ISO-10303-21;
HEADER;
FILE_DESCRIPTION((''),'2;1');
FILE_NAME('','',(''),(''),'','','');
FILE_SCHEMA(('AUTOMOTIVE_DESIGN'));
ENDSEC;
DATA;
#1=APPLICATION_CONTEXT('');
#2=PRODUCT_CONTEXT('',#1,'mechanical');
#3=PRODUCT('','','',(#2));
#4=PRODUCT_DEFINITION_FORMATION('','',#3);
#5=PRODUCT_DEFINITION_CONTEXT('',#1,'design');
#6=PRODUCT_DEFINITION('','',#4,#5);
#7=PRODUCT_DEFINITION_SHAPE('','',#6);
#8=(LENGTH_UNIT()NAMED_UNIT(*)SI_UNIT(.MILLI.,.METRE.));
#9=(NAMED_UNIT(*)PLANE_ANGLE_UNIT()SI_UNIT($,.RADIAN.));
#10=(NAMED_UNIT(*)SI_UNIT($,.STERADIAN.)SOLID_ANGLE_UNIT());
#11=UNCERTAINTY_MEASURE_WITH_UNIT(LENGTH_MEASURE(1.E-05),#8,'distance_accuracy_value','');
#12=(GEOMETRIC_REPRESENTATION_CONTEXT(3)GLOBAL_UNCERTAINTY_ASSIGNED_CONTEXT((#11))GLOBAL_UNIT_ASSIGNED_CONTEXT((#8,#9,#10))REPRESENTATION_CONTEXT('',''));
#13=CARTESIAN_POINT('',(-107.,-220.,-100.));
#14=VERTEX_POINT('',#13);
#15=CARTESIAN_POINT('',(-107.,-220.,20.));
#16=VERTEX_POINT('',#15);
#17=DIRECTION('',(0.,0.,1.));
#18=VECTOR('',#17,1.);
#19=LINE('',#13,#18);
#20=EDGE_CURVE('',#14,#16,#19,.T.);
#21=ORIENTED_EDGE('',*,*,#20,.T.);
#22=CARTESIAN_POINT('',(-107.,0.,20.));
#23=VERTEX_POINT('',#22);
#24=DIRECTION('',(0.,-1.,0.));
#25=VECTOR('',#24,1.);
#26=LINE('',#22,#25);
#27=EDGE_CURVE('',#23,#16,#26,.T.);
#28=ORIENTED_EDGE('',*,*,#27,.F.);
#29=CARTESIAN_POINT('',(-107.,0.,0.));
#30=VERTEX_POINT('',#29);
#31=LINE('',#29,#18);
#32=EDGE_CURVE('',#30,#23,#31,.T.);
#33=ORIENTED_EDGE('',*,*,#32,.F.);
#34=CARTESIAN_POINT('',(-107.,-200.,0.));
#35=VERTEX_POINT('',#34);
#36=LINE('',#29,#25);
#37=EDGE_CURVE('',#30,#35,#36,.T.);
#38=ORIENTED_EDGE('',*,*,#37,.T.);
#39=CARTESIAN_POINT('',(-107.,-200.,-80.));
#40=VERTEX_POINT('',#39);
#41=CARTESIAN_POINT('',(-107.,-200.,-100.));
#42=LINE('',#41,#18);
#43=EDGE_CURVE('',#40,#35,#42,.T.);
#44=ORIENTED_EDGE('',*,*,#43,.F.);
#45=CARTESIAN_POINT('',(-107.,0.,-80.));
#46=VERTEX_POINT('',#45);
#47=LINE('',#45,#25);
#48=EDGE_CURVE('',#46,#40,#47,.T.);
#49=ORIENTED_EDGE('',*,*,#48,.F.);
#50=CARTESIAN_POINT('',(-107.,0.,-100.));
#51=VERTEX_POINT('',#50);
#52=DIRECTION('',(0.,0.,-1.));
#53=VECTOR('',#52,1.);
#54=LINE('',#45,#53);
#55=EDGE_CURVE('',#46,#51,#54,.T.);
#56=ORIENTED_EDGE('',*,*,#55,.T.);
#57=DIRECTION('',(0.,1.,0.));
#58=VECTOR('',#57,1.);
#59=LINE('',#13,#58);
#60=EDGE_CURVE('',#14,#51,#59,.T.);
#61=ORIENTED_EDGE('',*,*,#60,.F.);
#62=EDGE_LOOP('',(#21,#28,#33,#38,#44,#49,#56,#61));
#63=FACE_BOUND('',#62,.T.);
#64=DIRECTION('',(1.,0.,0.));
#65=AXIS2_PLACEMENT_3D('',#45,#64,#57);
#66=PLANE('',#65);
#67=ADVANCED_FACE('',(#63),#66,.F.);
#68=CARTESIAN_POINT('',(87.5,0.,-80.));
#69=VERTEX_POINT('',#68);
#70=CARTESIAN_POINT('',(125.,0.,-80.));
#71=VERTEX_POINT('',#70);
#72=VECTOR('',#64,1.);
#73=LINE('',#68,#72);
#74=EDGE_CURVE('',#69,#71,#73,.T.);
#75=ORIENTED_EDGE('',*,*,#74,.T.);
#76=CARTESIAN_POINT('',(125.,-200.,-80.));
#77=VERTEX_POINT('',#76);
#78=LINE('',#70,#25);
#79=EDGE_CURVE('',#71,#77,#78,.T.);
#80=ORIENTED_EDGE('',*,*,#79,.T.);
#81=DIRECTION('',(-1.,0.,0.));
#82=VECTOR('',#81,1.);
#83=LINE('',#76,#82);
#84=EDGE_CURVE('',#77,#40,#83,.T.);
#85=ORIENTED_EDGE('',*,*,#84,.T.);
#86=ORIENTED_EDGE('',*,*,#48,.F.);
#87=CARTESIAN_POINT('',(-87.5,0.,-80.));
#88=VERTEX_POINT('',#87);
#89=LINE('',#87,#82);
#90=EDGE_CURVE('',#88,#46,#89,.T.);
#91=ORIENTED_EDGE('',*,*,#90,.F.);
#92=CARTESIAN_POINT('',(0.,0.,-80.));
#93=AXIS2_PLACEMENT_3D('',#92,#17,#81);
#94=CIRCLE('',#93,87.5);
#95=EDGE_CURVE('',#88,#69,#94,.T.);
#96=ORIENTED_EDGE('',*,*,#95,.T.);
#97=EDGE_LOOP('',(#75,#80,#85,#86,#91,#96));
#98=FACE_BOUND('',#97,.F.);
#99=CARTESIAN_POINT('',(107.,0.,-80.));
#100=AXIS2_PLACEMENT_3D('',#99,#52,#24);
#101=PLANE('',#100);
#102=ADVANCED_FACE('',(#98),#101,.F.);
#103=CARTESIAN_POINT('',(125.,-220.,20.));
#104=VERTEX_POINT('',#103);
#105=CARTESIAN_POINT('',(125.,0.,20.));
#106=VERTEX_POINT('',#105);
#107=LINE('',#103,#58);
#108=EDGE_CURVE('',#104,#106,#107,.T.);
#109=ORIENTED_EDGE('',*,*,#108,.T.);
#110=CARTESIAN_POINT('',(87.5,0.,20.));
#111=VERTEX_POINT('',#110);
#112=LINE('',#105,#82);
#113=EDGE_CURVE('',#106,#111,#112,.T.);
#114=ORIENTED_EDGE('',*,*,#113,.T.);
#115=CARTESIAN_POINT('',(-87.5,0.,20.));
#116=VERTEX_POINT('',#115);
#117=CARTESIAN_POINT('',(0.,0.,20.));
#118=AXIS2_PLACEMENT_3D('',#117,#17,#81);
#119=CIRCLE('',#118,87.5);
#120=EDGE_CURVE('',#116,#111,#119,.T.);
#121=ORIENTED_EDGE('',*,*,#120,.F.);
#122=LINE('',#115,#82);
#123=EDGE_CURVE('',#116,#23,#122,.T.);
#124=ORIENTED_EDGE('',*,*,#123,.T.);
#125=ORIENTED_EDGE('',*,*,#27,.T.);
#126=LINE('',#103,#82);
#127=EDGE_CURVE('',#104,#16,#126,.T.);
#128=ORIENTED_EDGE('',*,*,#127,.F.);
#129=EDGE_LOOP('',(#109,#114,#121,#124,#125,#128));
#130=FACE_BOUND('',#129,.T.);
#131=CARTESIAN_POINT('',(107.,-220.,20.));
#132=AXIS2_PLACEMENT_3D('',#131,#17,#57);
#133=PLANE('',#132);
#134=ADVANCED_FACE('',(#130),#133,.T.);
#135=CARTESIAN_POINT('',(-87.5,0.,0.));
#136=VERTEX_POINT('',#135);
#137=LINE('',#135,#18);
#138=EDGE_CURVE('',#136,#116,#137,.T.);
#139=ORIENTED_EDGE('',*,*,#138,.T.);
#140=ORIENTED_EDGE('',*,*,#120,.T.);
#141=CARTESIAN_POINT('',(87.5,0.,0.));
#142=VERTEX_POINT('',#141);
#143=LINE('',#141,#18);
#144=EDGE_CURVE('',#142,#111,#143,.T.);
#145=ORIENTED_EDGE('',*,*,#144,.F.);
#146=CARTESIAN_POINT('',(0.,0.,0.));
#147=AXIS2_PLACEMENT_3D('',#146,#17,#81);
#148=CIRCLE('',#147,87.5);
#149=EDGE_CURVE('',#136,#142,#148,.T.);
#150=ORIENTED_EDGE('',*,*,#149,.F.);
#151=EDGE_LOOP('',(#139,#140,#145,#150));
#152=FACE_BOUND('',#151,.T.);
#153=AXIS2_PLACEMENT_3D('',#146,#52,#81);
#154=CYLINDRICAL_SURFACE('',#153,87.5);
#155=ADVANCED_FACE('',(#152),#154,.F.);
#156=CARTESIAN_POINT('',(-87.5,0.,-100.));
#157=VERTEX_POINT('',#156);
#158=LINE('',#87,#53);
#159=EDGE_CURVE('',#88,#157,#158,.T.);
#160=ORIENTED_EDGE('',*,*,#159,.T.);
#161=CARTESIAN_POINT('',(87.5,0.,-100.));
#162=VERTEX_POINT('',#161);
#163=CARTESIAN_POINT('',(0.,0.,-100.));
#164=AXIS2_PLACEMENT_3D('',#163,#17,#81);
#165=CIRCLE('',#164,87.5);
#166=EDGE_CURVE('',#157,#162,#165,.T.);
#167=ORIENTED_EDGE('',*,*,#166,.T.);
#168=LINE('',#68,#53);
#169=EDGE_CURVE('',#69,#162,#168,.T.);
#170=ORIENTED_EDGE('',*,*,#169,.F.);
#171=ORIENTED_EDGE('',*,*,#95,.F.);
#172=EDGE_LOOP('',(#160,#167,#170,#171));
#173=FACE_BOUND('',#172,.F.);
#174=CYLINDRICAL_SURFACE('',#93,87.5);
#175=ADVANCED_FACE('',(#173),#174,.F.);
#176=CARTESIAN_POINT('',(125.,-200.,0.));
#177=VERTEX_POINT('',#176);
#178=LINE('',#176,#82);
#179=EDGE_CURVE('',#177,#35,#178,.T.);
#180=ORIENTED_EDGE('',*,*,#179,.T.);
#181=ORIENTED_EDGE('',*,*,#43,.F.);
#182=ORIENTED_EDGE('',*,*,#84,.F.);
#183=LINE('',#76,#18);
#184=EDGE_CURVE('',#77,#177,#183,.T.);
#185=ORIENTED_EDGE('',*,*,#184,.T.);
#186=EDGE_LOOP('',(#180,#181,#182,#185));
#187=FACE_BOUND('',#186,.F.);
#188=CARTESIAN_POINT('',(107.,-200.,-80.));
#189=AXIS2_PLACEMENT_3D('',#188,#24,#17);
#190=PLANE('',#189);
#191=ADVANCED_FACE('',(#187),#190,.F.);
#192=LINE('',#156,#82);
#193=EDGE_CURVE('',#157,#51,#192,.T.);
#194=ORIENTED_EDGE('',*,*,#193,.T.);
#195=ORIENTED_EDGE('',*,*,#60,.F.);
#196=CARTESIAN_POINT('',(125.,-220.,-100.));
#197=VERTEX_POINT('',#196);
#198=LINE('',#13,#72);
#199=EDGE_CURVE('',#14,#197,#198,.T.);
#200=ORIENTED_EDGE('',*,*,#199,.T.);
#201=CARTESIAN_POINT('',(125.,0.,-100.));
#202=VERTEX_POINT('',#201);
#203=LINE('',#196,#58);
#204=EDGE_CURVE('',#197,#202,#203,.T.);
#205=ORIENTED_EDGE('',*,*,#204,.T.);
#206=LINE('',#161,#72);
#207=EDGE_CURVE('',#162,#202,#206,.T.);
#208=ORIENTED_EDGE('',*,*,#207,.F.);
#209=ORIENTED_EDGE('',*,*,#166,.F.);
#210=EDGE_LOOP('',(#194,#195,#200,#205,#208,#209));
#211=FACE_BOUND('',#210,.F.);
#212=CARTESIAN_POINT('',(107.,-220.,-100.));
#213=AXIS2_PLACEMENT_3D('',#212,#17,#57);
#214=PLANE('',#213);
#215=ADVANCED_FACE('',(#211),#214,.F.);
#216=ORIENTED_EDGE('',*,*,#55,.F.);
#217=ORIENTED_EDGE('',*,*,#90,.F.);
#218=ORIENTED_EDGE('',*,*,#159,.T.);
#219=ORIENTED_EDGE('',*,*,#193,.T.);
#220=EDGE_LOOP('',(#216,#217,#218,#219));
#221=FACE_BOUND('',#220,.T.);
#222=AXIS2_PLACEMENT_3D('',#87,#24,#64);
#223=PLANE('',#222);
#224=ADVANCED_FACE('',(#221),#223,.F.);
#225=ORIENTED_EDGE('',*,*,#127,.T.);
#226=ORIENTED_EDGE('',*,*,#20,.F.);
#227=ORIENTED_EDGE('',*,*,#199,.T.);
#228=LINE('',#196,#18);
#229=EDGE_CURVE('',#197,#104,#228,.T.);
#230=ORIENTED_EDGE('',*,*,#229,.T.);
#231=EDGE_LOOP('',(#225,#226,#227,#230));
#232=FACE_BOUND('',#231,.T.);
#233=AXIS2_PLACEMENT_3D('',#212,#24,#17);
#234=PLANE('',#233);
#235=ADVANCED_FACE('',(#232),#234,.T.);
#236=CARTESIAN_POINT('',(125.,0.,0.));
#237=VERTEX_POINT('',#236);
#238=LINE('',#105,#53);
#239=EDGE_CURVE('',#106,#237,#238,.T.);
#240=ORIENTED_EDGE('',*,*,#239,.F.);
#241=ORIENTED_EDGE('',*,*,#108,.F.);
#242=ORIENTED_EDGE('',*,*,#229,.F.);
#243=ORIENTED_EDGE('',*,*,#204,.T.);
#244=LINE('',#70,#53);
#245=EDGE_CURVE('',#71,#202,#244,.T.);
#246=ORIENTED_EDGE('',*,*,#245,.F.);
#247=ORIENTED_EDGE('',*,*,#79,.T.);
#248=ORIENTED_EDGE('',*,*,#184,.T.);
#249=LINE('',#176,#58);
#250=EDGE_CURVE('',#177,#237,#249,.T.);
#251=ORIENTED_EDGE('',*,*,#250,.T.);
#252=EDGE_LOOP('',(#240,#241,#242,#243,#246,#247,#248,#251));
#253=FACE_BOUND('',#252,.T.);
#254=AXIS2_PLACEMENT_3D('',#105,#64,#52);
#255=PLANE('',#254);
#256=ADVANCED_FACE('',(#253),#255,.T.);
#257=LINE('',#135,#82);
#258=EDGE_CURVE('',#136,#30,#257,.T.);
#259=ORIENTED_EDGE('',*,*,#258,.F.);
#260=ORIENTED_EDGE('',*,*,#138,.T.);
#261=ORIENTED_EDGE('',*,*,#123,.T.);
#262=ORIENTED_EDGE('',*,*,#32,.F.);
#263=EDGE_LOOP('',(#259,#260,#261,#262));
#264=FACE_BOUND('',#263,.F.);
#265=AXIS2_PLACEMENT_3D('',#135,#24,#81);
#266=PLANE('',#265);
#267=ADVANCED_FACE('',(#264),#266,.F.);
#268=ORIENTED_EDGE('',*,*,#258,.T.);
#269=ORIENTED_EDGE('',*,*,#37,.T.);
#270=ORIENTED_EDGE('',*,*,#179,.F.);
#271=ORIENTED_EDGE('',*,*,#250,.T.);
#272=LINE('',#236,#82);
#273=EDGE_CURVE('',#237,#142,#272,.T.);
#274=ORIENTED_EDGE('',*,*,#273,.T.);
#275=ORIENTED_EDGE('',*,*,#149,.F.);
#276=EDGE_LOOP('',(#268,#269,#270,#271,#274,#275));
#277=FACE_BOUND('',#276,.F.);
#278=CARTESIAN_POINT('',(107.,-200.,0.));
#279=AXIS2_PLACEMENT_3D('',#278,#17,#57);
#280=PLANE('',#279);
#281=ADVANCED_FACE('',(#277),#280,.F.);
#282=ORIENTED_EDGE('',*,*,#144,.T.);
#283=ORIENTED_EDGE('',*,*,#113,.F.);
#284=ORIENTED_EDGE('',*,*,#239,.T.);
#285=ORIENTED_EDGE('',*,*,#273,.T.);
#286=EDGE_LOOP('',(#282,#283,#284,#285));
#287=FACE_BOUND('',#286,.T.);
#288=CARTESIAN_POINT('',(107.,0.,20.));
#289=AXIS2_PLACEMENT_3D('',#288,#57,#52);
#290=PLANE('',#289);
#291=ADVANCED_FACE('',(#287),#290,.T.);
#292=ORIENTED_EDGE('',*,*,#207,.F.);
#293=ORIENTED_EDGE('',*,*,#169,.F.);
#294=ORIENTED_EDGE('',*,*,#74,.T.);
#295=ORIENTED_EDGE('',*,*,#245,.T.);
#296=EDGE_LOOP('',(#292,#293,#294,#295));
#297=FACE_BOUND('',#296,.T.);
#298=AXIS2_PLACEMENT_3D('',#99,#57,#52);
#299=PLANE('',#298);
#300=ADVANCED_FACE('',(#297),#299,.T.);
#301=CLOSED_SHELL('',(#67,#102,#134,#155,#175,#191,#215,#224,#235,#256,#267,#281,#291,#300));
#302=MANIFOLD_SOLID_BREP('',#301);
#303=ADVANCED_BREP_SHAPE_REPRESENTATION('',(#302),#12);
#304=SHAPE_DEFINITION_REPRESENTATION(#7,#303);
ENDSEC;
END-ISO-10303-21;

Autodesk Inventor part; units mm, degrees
ref_plane "YZ Plane" through (0, 0, 0) normal (1, 0, 0) x (0, 1, 0)
ref_plane "XZ Plane" through (0, 0, 0) normal (0, 1, 0) x (-1, 0, 0)
sketch "Sketch1" plane through (0, 0, 0) normal (0, 0, 1) x (1, 0, 0)
  arc A0 (-87.5, 0) -> (87.5, 0) centre (0, 0) ccw
  line L0 (-87.5, 0) -> (87.5, 0) construction
  line L1 (-87.5, -200) -> (87.5, -200)
  line L2 (-87.5, -220) -> (87.5, -220)
  line L3 (-87.5, 0) -> (-107.5, 0)
  line L4 (0, 0) -> (-107, 0)
  line L5 (-107, 0) -> (-107, -200)
  line L6 (-107, -200) -> (-87.5, -200)
  line L7 (-107, -200) -> (-107, -220)
  line L8 (-107, -220) -> (-87.5, -220)
  line L9 (0, 0) -> (107, 0)
  line L10 (107, 0) -> (107, -220)
  line L11 (107, -220) -> (87.5, -220)
  line L12 (87.5, -200) -> (107, -200)
  point P0 (87.5, 0)
  dimension "d0" = 175
  dimension "d1" = 200
  dimension "d9" = 107
  dimension "d10" = 107
  dimension "d13" = 90
  dimension "d15" = 200
  dimension "d17" = 200
  dimension "d18" = 214.5
  dimension "d21" = 20
extrude "Extrusion1" add sketch "Sketch1" along normal blind 20 contours A0 L9 L10 L12 L1 L6 L5 L3
extrude "Extrusion2" add sketch "Sketch1" along normal blind 20 and the other way blind 100 contours L6 L1 L12 L10 L11 L2 L8 L7
ref_plane "Work Plane1" through (0, 0, -40) normal (0, 0, -1) x (1, 0, 0)
mirror "Mirror1" about plane through (0, 0, -40) normal (0, 0, -1) of "Extrusion1"
sketch "Sketch2" plane through (107, 0, 20) normal (1, 0, 0) x (0, 0, -1)
  line L0 (120, -220) -> (0, -220) projected
  line L1 (0, -220) -> (0, 0) projected
  line L2 (0, 0) -> (20, 0)
  line L3 (20, -200) -> (20, 0) projected
  line L4 (20, 0) -> (20, -200)
  line L5 (100, -200) -> (20, -200) projected
  line L6 (20, -200) -> (100, -200)
  line L7 (100, 0) -> (100, -200) projected
  line L8 (100, -200) -> (100, 0)
  line L9 (120, -220) -> (120, 0) projected
  line L10 (100, 0) -> (120, 0)
  line L11 (120, 0) -> (120, -220)
  line L12 (120, -220) -> (0, -220)
extrude "Extrusion3" add sketch "Sketch2" along normal blind 18
properties part number "Support" material "Stainless Steel"
